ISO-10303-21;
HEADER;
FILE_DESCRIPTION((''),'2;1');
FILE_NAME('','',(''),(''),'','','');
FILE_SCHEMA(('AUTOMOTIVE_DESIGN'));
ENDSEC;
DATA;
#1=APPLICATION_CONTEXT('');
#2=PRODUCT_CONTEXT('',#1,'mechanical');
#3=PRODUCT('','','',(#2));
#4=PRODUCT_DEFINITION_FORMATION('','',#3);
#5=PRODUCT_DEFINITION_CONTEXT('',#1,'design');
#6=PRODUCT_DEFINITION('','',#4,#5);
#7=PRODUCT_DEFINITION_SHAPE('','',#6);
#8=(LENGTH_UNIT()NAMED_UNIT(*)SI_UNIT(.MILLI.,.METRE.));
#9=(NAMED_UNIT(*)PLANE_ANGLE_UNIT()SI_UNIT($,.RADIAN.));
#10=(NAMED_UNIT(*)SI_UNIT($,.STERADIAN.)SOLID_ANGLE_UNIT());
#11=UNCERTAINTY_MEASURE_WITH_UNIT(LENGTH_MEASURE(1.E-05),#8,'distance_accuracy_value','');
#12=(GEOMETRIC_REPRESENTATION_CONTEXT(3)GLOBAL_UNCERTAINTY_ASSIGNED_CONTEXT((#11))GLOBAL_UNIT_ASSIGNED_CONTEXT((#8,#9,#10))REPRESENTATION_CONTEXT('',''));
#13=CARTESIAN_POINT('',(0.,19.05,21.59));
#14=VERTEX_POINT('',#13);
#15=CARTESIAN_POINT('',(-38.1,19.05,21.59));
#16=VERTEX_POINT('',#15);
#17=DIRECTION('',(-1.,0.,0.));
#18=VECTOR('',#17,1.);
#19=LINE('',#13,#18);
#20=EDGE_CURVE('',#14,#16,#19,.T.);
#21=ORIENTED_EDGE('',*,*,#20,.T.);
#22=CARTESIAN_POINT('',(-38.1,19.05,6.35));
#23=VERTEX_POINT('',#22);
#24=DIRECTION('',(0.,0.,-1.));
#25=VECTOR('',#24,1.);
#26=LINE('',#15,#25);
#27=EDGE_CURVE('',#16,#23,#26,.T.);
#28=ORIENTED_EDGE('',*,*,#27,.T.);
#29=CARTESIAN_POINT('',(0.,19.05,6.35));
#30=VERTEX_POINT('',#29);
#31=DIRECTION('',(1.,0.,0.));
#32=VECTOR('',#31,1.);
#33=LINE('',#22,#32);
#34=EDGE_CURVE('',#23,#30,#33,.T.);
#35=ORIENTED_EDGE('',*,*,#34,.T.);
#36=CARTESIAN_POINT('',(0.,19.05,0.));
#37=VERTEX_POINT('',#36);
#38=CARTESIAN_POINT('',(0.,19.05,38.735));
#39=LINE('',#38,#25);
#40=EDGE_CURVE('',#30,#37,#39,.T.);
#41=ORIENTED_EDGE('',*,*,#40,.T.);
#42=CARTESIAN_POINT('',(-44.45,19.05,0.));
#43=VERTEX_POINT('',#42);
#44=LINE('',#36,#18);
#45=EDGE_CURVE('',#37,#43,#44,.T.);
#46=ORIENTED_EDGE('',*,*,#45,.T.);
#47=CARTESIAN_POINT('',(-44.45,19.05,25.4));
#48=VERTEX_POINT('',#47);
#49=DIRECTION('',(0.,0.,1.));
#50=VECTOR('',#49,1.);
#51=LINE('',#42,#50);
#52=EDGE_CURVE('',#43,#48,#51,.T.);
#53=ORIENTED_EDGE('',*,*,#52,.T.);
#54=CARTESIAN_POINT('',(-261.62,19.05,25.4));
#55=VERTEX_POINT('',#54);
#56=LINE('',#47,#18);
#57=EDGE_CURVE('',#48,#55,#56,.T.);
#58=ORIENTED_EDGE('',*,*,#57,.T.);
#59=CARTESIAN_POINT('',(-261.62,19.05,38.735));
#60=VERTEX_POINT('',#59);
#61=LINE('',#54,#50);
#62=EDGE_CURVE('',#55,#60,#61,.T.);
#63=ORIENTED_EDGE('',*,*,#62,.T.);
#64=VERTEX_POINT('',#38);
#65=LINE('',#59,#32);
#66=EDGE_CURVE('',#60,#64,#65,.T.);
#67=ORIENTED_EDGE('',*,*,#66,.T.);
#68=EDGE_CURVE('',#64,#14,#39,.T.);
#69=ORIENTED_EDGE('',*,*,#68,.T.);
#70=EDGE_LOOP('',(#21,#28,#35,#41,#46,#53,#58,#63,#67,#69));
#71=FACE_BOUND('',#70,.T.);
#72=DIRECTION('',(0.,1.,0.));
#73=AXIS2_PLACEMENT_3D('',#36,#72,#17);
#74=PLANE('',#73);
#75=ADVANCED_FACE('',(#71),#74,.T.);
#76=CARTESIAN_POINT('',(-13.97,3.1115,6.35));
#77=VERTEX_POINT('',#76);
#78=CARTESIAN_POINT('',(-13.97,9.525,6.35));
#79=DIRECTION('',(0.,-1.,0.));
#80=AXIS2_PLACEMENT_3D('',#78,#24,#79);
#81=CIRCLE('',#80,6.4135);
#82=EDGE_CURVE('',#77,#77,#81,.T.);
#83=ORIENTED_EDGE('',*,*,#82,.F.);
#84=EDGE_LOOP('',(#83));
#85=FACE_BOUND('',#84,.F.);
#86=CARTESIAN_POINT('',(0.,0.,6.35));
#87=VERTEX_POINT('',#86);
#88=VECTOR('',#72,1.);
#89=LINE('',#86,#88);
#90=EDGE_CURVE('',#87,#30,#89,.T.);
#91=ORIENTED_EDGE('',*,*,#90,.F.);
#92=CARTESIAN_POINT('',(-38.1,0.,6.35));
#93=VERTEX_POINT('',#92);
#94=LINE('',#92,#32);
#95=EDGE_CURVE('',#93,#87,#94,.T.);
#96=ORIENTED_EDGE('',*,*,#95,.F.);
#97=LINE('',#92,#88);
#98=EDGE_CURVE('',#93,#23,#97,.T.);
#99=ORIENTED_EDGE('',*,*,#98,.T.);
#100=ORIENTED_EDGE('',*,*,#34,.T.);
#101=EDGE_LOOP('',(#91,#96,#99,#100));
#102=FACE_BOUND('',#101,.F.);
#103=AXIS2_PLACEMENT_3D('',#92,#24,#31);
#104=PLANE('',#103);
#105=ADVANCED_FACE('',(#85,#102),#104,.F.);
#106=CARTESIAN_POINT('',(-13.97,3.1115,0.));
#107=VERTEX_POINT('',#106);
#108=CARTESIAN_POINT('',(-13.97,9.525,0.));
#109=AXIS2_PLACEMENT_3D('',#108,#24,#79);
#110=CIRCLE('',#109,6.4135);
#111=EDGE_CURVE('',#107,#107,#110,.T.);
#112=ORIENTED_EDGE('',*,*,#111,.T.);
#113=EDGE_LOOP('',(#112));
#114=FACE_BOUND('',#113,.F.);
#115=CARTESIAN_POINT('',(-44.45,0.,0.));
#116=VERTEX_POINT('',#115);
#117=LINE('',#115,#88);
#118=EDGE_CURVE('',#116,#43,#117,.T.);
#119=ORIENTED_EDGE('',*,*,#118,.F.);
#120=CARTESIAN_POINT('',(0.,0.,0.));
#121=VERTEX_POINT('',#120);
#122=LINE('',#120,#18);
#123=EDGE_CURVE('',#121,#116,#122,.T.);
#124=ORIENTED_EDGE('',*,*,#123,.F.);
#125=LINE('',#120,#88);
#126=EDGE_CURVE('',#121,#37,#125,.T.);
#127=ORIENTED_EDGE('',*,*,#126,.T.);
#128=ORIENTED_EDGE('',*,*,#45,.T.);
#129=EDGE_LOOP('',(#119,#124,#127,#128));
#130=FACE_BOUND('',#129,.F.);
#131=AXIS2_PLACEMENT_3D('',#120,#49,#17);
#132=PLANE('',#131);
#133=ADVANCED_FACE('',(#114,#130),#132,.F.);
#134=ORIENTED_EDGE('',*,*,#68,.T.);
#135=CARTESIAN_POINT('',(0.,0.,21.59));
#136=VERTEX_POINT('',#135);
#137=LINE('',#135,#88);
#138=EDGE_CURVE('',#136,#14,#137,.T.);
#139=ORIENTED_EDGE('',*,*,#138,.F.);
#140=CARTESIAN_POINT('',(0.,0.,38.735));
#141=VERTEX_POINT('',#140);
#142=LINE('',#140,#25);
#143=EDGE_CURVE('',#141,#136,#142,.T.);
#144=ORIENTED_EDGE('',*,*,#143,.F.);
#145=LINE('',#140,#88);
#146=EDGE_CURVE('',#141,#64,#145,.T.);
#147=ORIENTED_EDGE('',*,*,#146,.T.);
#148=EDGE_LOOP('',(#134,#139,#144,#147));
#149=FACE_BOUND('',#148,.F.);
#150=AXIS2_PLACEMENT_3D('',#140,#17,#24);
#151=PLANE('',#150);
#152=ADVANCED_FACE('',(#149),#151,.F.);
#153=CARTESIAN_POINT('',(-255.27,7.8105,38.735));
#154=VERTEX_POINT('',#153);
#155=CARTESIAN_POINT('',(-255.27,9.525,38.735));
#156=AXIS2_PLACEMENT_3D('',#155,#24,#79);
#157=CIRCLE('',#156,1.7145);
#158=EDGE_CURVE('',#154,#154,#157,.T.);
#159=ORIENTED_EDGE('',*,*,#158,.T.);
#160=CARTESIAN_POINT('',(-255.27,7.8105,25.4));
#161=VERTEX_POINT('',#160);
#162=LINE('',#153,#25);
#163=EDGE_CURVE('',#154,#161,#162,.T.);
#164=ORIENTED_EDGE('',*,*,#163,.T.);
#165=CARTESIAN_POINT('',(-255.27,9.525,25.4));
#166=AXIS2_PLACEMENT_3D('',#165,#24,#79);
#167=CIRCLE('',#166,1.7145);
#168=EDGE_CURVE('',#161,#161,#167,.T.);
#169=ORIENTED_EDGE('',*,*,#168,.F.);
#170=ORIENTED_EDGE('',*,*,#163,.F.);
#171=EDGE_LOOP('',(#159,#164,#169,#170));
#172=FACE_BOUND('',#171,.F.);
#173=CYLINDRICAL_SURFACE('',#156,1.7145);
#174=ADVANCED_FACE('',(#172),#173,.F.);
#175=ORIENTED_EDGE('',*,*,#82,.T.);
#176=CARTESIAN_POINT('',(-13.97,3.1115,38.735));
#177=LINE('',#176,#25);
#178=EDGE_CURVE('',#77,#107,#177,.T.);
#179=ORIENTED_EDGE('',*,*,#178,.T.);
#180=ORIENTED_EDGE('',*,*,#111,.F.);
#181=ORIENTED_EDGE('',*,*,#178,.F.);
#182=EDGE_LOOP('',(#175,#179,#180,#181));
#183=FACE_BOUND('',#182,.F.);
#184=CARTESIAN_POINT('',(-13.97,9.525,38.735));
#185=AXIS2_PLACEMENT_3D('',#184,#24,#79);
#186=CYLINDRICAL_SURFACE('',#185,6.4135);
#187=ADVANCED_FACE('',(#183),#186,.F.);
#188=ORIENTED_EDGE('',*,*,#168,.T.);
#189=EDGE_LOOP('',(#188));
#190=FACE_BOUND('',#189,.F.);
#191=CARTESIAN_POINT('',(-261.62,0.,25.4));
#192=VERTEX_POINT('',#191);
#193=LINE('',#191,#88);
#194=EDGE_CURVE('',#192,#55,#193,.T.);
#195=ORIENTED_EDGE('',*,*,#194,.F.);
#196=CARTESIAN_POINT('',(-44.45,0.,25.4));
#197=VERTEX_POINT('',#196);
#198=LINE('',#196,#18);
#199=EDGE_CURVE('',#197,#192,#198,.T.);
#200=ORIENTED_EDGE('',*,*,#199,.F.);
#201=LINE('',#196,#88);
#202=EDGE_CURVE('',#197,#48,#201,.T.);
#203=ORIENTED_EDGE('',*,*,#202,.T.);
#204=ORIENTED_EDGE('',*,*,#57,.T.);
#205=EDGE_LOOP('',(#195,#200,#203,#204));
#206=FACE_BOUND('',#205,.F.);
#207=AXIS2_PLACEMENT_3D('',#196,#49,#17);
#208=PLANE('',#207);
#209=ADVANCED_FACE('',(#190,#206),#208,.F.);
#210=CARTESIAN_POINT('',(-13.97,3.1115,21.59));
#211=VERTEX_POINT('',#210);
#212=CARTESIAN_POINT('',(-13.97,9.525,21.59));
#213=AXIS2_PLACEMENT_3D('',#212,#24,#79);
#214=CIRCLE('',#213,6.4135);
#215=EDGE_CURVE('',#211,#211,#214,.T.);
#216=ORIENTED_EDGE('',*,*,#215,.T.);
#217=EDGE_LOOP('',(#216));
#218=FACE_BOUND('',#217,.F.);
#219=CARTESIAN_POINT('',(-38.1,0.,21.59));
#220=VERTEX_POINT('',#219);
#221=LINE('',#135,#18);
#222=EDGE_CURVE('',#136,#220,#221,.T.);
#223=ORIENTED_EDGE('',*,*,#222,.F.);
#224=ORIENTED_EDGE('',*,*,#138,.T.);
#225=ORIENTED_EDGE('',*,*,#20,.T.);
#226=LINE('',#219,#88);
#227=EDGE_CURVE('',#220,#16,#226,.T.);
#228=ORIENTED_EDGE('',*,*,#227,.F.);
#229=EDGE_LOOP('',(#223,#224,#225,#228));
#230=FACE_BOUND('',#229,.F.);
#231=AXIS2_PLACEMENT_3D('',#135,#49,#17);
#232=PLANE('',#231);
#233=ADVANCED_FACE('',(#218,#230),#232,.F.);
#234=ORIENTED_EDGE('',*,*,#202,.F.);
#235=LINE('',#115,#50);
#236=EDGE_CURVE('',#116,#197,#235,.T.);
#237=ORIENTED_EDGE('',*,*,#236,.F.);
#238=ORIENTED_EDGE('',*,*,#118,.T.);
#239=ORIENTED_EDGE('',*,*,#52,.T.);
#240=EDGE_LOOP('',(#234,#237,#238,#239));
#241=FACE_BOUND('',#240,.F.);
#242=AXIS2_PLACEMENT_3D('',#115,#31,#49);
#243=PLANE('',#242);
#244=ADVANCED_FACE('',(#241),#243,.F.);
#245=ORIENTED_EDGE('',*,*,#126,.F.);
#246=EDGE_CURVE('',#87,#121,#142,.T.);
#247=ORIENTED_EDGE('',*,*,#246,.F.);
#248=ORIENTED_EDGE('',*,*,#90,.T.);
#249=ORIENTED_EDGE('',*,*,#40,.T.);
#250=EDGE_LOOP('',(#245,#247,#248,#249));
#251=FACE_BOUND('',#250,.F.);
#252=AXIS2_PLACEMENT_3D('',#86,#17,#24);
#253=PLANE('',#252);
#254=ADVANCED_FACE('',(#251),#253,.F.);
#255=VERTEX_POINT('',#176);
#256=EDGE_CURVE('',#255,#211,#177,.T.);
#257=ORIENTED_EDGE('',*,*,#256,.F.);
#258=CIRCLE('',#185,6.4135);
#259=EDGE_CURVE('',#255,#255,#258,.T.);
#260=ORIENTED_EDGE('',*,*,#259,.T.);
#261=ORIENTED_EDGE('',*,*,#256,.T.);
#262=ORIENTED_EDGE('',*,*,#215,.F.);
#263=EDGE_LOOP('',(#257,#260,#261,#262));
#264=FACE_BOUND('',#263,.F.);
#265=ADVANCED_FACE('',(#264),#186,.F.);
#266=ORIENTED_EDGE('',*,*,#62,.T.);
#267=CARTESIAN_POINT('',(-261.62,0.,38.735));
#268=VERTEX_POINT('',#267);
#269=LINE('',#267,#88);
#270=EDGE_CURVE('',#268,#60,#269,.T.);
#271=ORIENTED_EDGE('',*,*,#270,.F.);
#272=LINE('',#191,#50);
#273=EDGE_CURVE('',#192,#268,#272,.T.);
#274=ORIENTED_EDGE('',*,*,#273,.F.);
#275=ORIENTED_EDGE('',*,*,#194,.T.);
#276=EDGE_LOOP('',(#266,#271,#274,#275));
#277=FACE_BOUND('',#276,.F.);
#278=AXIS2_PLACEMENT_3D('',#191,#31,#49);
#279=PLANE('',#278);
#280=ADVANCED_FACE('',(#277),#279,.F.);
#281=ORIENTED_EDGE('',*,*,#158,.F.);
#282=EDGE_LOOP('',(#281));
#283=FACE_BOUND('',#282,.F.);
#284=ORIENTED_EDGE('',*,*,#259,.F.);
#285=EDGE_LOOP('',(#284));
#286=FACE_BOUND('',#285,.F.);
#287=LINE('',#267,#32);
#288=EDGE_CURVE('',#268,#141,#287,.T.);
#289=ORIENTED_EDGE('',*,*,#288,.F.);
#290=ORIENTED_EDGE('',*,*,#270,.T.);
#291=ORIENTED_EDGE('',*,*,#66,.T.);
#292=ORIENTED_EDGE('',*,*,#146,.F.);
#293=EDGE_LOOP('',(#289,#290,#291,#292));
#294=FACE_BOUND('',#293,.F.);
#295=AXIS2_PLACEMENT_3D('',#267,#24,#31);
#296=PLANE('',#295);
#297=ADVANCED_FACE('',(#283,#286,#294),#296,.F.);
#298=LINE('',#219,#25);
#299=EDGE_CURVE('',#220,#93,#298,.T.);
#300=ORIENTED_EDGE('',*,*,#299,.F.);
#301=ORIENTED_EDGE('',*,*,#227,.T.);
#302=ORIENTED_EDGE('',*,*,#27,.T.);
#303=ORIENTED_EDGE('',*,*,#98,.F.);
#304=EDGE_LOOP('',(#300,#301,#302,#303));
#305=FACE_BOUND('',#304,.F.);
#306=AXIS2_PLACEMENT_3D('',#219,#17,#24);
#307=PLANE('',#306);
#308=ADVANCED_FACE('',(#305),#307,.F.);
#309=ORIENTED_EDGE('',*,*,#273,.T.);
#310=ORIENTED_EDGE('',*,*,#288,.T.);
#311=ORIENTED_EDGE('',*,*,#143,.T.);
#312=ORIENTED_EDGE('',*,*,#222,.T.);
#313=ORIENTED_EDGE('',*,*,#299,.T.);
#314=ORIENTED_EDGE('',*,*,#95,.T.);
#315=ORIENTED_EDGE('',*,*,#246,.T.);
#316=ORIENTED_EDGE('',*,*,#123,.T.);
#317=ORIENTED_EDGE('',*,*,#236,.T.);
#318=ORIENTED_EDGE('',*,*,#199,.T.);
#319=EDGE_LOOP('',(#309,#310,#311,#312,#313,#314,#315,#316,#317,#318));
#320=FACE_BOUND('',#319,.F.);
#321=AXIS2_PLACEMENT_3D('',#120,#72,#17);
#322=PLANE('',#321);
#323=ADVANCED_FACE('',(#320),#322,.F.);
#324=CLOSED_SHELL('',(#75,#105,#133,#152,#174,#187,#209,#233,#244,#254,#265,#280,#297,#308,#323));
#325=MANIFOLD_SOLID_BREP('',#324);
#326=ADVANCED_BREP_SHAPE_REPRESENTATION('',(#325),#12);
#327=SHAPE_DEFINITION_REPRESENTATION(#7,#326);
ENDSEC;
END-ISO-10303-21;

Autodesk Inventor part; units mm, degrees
ref_plane "YZ Plane" through (0, 0, 0) normal (1, 0, 0) x (0, 1, 0)
ref_plane "XZ Plane" through (0, 0, 0) normal (0, 1, 0) x (-1, 0, 0)
ref_plane "XY Plane" through (0, 0, 0) normal (0, 0, 1) x (1, 0, 0)
sketch "Sketch1" plane through (0, 0, 0) normal (0, 1, 0) x (-1, 0, 0)
  line L0 (0, 0) -> (44.45, 0)
  line L1 (44.45, 0) -> (44.45, 25.4)
  line L2 (44.45, 25.4) -> (261.62, 25.4)
  line L3 (261.62, 25.4) -> (261.62, 38.735)
  line L4 (261.62, 38.735) -> (0, 38.735)
  line L5 (0, 38.735) -> (0, 0)
  line L6 (0, 21.59) -> (38.1, 21.59)
  line L7 (38.1, 21.59) -> (38.1, 6.35)
  line L8 (38.1, 6.35) -> (0, 6.35)
  line L9 (0, 6.35) -> (0, 21.59)
  dimension "d9" = 44.45
  dimension "d10" = 25.4
  dimension "d17" = 261.62
  dimension "d24" = 38.735
  dimension "d26" = 15.24
  dimension "d27" = 6.35
  dimension "d50" = 217.17
  dimension "d51" = 6.35
extrude "Extrusion1" add sketch "Sketch1" along normal blind 19.05 contours L5 L8 L7 L6 L4 L3 L2 L1 L0
sketch "Sketch2" plane through (-261.62, 0, 38.735) normal (0, 0, 1) x (1, 0, 0)
  line L0 (261.62, 0) -> (261.62, 19.05) projected
  line L1 (0, 19.05) -> (261.62, 19.05) projected
  point P0 (247.65, 9.525)
  dimension "d37" = 13.97
  dimension "d38" = 19.05
  dimension "d39" = 9.525
hole "Hole1" at (-13.97, 9.525, 38.735) direction (0, 0, -1) diameter 12.827 end through all
sketch "Sketch3" plane through (-261.62, 0, 38.735) normal (0, 0, 1) x (1, 0, 0)
  line L0 (0, 0) -> (0, 19.05) projected
  line L1 (0, 19.05) -> (261.62, 19.05) projected
  point P0 (261.62, 0)
  point P1 (6.35, 9.525)
  dimension "d47" = 19.05
  dimension "d48" = 9.525
  dimension "d49" = 6.35
hole "Hole2" at (-255.27, 9.525, 38.735) direction (0, 0, -1) diameter 3.429 end through all
equation "\"d50\" = d17 - d9"
equation "\"d39\" = 0.5 * d38"
equation "\"d48\" = 0.5 * d47"
properties part number "shooter launch bar"
